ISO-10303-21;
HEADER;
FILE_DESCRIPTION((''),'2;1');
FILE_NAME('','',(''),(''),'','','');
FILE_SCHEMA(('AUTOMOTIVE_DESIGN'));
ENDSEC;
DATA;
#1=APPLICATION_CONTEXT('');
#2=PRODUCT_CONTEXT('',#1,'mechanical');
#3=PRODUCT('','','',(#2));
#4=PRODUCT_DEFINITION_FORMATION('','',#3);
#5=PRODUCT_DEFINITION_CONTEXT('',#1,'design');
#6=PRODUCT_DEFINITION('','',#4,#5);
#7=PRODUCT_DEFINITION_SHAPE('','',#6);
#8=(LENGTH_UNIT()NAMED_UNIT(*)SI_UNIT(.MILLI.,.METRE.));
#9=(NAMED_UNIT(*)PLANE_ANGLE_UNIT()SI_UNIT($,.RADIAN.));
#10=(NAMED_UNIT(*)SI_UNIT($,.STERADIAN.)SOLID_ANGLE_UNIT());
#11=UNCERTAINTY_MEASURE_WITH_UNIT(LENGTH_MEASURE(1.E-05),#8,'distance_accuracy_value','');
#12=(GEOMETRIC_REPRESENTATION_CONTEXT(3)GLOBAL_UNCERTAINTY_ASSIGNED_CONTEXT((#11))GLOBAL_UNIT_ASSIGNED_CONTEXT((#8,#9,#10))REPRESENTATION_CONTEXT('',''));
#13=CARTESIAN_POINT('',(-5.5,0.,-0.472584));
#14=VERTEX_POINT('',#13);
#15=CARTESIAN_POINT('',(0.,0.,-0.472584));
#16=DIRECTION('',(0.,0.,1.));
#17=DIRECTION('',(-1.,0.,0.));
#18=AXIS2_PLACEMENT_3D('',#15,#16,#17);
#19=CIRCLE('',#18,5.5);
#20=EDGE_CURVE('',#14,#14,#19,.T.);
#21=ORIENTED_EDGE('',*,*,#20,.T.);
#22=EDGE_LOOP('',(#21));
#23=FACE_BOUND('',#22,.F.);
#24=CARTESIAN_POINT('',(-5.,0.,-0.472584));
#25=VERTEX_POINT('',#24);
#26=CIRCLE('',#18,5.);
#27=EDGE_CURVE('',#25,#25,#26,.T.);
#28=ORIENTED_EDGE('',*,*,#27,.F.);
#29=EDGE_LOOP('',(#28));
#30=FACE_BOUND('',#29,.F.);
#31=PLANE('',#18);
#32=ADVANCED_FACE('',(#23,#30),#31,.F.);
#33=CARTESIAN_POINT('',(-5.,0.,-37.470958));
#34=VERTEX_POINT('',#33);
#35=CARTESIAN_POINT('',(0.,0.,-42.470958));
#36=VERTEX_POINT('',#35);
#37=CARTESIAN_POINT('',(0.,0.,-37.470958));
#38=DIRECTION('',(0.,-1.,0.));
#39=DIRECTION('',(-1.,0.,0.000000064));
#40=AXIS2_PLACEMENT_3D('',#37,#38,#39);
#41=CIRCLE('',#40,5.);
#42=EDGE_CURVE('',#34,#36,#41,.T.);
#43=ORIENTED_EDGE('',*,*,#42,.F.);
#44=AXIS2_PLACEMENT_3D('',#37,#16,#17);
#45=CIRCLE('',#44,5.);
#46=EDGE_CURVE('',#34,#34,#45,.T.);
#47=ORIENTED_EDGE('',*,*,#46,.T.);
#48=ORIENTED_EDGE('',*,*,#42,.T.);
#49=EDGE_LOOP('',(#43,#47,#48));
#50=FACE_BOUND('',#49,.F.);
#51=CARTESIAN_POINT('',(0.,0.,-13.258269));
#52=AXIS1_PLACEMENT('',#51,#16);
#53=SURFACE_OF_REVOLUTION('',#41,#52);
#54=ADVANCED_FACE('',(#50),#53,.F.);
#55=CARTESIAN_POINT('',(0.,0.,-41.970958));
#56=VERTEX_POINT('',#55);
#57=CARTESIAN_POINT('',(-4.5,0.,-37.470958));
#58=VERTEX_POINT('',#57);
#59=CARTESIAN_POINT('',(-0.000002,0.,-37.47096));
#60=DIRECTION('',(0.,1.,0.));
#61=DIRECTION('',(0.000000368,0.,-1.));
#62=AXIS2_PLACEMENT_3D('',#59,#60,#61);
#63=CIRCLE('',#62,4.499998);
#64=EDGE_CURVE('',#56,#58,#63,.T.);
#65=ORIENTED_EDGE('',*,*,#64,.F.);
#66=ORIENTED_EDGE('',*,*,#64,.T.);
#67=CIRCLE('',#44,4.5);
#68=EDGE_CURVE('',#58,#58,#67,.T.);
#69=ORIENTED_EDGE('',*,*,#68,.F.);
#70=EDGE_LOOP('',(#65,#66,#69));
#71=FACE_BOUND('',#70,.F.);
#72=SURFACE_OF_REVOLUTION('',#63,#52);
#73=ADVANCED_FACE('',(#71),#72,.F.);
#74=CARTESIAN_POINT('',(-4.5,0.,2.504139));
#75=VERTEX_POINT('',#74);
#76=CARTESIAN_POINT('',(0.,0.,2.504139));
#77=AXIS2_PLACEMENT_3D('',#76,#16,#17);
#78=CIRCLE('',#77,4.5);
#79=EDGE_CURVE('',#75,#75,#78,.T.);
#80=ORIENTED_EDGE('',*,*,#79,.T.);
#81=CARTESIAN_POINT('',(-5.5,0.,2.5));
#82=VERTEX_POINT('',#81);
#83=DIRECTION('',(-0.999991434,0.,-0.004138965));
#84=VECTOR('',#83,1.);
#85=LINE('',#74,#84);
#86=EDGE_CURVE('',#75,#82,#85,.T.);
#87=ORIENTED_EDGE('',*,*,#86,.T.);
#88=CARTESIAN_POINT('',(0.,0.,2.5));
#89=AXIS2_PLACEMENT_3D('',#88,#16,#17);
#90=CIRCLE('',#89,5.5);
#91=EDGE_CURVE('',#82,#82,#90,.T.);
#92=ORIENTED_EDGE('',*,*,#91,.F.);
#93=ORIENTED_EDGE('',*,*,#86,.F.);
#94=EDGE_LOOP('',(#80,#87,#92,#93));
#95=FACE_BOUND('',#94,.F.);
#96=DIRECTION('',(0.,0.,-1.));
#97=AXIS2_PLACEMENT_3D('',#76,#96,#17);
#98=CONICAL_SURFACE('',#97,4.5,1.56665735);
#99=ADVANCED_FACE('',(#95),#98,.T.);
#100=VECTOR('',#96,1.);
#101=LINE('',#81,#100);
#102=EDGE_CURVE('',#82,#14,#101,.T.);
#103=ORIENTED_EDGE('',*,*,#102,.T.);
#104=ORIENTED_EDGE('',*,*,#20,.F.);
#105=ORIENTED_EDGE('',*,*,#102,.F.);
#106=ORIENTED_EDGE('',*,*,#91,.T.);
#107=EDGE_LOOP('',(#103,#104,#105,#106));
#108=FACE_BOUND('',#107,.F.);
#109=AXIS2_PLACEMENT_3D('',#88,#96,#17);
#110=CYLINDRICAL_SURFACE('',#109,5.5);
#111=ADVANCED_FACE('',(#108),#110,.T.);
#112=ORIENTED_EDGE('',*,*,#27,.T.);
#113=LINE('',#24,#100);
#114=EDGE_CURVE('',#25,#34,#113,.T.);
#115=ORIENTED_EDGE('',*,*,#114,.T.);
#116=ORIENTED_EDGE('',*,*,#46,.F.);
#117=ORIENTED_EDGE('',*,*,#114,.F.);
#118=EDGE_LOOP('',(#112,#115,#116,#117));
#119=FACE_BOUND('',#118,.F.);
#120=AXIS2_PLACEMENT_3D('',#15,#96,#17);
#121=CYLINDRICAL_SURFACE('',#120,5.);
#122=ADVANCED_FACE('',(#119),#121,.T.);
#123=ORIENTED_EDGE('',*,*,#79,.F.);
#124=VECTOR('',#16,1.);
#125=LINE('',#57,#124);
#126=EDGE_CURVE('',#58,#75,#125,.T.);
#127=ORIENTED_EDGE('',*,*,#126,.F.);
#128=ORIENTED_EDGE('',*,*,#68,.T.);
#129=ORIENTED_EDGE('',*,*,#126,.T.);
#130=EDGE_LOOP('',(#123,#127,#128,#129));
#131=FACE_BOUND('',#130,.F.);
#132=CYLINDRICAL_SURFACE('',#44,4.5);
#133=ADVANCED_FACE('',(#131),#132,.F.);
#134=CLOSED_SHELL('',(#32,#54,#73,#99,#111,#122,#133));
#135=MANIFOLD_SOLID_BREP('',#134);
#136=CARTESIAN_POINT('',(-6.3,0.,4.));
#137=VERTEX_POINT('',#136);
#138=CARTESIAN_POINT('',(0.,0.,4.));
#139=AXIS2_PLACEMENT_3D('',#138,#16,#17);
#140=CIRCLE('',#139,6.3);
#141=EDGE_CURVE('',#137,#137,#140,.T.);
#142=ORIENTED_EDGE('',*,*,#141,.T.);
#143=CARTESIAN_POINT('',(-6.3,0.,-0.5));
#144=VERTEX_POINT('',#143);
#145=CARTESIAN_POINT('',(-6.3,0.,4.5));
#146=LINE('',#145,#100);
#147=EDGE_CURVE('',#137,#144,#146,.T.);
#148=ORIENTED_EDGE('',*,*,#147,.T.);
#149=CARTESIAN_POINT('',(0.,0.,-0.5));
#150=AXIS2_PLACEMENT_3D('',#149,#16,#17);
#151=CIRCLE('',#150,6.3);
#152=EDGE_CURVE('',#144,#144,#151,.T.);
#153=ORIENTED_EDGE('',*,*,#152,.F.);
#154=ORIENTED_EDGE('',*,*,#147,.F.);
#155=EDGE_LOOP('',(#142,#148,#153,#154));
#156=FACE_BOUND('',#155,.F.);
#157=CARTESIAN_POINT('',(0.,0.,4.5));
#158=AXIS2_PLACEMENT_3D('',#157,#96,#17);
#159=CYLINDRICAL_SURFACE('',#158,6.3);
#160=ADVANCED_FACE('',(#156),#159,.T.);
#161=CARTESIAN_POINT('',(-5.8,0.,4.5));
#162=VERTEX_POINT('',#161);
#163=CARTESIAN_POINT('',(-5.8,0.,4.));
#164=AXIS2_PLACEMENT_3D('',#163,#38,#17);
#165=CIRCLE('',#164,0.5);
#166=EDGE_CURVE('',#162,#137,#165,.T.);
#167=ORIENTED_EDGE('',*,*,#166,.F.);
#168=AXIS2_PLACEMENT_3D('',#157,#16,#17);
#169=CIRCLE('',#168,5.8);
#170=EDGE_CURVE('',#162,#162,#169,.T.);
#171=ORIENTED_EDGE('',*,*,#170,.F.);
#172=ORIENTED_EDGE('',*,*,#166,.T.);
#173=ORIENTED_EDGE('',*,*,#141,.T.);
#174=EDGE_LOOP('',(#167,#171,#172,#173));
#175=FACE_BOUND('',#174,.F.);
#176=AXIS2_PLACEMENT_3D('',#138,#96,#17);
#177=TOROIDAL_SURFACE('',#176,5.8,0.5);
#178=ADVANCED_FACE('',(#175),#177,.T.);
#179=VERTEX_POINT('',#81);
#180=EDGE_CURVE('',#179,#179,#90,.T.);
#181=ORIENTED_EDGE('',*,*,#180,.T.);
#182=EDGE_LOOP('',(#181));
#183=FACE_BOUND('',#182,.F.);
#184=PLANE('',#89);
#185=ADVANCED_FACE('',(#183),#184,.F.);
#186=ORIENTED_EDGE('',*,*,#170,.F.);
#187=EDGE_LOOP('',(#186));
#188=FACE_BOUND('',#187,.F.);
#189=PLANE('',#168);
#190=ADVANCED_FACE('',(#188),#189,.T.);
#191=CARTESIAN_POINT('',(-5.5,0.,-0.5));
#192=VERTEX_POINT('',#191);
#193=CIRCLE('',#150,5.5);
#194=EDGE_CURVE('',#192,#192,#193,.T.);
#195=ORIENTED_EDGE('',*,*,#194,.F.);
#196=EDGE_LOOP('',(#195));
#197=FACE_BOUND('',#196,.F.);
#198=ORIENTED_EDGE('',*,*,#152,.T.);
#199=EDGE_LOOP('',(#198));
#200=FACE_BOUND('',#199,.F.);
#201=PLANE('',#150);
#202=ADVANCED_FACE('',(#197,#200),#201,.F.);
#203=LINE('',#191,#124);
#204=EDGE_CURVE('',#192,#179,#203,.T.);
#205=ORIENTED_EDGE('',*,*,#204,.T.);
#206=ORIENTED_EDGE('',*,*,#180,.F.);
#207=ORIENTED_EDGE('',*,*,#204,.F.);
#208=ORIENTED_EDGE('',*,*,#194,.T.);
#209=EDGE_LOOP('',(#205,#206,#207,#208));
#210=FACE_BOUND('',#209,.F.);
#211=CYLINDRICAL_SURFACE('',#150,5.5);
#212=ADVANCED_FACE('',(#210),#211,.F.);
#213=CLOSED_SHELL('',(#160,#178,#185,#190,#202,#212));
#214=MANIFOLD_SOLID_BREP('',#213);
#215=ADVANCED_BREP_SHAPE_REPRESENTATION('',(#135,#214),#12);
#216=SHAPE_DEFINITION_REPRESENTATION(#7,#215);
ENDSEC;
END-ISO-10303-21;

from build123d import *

# Parameters (mm, degrees)
F4_R = 0.5


with BuildPart() as f1:
    # F0 (on Front) → F1 (revolve)
    with BuildSketch(Plane.XZ):
        with BuildLine():
            Line((-5.5, -0.472584), (-5, -0.472584))
            Line((-5, -0.472584), (-5, -37.470958))
            ThreePointArc((-5, -37.470958), (-3.535534, -41.006492), (0, -42.470958))
            Line((0, -42.470958), (0, -41.970958))
            ThreePointArc((0, -41.970958), (-3.181981, -40.652939), (-4.5, -37.470958))
            Line((-4.5, -37.470958), (-4.5, 2.504139))
            Line((-4.5, 2.504139), (-5.5, 2.5))
            Line((-5.5, 2.5), (-5.5, 0))
            Line((-5.5, 0), (-5.5, -0.472584))
        make_face()
    revolve(axis=Axis((0, 0, -13.258269), (0, 0, 1)))


with BuildPart() as f3:
    # F2 (on Front) → F3 (revolve)
    with BuildSketch(Plane.XZ):
        Polygon((0, 2.5), (0, 4.5), (-6.3, 4.5), (-6.3, -0.5), (-5.5, -0.5), (-5.5, 2.5), align=None)
    revolve(axis=Axis((0, 0, 2.100606), (0, 0, 1)))

    # F4
    f4_edges = [f3.edges().sort_by_distance(p)[0] for p in [
        (6.3, 0, 4.5),
    ]]
    fillet(f4_edges, radius=F4_R)


solid = Compound([f1.part, f3.part])
